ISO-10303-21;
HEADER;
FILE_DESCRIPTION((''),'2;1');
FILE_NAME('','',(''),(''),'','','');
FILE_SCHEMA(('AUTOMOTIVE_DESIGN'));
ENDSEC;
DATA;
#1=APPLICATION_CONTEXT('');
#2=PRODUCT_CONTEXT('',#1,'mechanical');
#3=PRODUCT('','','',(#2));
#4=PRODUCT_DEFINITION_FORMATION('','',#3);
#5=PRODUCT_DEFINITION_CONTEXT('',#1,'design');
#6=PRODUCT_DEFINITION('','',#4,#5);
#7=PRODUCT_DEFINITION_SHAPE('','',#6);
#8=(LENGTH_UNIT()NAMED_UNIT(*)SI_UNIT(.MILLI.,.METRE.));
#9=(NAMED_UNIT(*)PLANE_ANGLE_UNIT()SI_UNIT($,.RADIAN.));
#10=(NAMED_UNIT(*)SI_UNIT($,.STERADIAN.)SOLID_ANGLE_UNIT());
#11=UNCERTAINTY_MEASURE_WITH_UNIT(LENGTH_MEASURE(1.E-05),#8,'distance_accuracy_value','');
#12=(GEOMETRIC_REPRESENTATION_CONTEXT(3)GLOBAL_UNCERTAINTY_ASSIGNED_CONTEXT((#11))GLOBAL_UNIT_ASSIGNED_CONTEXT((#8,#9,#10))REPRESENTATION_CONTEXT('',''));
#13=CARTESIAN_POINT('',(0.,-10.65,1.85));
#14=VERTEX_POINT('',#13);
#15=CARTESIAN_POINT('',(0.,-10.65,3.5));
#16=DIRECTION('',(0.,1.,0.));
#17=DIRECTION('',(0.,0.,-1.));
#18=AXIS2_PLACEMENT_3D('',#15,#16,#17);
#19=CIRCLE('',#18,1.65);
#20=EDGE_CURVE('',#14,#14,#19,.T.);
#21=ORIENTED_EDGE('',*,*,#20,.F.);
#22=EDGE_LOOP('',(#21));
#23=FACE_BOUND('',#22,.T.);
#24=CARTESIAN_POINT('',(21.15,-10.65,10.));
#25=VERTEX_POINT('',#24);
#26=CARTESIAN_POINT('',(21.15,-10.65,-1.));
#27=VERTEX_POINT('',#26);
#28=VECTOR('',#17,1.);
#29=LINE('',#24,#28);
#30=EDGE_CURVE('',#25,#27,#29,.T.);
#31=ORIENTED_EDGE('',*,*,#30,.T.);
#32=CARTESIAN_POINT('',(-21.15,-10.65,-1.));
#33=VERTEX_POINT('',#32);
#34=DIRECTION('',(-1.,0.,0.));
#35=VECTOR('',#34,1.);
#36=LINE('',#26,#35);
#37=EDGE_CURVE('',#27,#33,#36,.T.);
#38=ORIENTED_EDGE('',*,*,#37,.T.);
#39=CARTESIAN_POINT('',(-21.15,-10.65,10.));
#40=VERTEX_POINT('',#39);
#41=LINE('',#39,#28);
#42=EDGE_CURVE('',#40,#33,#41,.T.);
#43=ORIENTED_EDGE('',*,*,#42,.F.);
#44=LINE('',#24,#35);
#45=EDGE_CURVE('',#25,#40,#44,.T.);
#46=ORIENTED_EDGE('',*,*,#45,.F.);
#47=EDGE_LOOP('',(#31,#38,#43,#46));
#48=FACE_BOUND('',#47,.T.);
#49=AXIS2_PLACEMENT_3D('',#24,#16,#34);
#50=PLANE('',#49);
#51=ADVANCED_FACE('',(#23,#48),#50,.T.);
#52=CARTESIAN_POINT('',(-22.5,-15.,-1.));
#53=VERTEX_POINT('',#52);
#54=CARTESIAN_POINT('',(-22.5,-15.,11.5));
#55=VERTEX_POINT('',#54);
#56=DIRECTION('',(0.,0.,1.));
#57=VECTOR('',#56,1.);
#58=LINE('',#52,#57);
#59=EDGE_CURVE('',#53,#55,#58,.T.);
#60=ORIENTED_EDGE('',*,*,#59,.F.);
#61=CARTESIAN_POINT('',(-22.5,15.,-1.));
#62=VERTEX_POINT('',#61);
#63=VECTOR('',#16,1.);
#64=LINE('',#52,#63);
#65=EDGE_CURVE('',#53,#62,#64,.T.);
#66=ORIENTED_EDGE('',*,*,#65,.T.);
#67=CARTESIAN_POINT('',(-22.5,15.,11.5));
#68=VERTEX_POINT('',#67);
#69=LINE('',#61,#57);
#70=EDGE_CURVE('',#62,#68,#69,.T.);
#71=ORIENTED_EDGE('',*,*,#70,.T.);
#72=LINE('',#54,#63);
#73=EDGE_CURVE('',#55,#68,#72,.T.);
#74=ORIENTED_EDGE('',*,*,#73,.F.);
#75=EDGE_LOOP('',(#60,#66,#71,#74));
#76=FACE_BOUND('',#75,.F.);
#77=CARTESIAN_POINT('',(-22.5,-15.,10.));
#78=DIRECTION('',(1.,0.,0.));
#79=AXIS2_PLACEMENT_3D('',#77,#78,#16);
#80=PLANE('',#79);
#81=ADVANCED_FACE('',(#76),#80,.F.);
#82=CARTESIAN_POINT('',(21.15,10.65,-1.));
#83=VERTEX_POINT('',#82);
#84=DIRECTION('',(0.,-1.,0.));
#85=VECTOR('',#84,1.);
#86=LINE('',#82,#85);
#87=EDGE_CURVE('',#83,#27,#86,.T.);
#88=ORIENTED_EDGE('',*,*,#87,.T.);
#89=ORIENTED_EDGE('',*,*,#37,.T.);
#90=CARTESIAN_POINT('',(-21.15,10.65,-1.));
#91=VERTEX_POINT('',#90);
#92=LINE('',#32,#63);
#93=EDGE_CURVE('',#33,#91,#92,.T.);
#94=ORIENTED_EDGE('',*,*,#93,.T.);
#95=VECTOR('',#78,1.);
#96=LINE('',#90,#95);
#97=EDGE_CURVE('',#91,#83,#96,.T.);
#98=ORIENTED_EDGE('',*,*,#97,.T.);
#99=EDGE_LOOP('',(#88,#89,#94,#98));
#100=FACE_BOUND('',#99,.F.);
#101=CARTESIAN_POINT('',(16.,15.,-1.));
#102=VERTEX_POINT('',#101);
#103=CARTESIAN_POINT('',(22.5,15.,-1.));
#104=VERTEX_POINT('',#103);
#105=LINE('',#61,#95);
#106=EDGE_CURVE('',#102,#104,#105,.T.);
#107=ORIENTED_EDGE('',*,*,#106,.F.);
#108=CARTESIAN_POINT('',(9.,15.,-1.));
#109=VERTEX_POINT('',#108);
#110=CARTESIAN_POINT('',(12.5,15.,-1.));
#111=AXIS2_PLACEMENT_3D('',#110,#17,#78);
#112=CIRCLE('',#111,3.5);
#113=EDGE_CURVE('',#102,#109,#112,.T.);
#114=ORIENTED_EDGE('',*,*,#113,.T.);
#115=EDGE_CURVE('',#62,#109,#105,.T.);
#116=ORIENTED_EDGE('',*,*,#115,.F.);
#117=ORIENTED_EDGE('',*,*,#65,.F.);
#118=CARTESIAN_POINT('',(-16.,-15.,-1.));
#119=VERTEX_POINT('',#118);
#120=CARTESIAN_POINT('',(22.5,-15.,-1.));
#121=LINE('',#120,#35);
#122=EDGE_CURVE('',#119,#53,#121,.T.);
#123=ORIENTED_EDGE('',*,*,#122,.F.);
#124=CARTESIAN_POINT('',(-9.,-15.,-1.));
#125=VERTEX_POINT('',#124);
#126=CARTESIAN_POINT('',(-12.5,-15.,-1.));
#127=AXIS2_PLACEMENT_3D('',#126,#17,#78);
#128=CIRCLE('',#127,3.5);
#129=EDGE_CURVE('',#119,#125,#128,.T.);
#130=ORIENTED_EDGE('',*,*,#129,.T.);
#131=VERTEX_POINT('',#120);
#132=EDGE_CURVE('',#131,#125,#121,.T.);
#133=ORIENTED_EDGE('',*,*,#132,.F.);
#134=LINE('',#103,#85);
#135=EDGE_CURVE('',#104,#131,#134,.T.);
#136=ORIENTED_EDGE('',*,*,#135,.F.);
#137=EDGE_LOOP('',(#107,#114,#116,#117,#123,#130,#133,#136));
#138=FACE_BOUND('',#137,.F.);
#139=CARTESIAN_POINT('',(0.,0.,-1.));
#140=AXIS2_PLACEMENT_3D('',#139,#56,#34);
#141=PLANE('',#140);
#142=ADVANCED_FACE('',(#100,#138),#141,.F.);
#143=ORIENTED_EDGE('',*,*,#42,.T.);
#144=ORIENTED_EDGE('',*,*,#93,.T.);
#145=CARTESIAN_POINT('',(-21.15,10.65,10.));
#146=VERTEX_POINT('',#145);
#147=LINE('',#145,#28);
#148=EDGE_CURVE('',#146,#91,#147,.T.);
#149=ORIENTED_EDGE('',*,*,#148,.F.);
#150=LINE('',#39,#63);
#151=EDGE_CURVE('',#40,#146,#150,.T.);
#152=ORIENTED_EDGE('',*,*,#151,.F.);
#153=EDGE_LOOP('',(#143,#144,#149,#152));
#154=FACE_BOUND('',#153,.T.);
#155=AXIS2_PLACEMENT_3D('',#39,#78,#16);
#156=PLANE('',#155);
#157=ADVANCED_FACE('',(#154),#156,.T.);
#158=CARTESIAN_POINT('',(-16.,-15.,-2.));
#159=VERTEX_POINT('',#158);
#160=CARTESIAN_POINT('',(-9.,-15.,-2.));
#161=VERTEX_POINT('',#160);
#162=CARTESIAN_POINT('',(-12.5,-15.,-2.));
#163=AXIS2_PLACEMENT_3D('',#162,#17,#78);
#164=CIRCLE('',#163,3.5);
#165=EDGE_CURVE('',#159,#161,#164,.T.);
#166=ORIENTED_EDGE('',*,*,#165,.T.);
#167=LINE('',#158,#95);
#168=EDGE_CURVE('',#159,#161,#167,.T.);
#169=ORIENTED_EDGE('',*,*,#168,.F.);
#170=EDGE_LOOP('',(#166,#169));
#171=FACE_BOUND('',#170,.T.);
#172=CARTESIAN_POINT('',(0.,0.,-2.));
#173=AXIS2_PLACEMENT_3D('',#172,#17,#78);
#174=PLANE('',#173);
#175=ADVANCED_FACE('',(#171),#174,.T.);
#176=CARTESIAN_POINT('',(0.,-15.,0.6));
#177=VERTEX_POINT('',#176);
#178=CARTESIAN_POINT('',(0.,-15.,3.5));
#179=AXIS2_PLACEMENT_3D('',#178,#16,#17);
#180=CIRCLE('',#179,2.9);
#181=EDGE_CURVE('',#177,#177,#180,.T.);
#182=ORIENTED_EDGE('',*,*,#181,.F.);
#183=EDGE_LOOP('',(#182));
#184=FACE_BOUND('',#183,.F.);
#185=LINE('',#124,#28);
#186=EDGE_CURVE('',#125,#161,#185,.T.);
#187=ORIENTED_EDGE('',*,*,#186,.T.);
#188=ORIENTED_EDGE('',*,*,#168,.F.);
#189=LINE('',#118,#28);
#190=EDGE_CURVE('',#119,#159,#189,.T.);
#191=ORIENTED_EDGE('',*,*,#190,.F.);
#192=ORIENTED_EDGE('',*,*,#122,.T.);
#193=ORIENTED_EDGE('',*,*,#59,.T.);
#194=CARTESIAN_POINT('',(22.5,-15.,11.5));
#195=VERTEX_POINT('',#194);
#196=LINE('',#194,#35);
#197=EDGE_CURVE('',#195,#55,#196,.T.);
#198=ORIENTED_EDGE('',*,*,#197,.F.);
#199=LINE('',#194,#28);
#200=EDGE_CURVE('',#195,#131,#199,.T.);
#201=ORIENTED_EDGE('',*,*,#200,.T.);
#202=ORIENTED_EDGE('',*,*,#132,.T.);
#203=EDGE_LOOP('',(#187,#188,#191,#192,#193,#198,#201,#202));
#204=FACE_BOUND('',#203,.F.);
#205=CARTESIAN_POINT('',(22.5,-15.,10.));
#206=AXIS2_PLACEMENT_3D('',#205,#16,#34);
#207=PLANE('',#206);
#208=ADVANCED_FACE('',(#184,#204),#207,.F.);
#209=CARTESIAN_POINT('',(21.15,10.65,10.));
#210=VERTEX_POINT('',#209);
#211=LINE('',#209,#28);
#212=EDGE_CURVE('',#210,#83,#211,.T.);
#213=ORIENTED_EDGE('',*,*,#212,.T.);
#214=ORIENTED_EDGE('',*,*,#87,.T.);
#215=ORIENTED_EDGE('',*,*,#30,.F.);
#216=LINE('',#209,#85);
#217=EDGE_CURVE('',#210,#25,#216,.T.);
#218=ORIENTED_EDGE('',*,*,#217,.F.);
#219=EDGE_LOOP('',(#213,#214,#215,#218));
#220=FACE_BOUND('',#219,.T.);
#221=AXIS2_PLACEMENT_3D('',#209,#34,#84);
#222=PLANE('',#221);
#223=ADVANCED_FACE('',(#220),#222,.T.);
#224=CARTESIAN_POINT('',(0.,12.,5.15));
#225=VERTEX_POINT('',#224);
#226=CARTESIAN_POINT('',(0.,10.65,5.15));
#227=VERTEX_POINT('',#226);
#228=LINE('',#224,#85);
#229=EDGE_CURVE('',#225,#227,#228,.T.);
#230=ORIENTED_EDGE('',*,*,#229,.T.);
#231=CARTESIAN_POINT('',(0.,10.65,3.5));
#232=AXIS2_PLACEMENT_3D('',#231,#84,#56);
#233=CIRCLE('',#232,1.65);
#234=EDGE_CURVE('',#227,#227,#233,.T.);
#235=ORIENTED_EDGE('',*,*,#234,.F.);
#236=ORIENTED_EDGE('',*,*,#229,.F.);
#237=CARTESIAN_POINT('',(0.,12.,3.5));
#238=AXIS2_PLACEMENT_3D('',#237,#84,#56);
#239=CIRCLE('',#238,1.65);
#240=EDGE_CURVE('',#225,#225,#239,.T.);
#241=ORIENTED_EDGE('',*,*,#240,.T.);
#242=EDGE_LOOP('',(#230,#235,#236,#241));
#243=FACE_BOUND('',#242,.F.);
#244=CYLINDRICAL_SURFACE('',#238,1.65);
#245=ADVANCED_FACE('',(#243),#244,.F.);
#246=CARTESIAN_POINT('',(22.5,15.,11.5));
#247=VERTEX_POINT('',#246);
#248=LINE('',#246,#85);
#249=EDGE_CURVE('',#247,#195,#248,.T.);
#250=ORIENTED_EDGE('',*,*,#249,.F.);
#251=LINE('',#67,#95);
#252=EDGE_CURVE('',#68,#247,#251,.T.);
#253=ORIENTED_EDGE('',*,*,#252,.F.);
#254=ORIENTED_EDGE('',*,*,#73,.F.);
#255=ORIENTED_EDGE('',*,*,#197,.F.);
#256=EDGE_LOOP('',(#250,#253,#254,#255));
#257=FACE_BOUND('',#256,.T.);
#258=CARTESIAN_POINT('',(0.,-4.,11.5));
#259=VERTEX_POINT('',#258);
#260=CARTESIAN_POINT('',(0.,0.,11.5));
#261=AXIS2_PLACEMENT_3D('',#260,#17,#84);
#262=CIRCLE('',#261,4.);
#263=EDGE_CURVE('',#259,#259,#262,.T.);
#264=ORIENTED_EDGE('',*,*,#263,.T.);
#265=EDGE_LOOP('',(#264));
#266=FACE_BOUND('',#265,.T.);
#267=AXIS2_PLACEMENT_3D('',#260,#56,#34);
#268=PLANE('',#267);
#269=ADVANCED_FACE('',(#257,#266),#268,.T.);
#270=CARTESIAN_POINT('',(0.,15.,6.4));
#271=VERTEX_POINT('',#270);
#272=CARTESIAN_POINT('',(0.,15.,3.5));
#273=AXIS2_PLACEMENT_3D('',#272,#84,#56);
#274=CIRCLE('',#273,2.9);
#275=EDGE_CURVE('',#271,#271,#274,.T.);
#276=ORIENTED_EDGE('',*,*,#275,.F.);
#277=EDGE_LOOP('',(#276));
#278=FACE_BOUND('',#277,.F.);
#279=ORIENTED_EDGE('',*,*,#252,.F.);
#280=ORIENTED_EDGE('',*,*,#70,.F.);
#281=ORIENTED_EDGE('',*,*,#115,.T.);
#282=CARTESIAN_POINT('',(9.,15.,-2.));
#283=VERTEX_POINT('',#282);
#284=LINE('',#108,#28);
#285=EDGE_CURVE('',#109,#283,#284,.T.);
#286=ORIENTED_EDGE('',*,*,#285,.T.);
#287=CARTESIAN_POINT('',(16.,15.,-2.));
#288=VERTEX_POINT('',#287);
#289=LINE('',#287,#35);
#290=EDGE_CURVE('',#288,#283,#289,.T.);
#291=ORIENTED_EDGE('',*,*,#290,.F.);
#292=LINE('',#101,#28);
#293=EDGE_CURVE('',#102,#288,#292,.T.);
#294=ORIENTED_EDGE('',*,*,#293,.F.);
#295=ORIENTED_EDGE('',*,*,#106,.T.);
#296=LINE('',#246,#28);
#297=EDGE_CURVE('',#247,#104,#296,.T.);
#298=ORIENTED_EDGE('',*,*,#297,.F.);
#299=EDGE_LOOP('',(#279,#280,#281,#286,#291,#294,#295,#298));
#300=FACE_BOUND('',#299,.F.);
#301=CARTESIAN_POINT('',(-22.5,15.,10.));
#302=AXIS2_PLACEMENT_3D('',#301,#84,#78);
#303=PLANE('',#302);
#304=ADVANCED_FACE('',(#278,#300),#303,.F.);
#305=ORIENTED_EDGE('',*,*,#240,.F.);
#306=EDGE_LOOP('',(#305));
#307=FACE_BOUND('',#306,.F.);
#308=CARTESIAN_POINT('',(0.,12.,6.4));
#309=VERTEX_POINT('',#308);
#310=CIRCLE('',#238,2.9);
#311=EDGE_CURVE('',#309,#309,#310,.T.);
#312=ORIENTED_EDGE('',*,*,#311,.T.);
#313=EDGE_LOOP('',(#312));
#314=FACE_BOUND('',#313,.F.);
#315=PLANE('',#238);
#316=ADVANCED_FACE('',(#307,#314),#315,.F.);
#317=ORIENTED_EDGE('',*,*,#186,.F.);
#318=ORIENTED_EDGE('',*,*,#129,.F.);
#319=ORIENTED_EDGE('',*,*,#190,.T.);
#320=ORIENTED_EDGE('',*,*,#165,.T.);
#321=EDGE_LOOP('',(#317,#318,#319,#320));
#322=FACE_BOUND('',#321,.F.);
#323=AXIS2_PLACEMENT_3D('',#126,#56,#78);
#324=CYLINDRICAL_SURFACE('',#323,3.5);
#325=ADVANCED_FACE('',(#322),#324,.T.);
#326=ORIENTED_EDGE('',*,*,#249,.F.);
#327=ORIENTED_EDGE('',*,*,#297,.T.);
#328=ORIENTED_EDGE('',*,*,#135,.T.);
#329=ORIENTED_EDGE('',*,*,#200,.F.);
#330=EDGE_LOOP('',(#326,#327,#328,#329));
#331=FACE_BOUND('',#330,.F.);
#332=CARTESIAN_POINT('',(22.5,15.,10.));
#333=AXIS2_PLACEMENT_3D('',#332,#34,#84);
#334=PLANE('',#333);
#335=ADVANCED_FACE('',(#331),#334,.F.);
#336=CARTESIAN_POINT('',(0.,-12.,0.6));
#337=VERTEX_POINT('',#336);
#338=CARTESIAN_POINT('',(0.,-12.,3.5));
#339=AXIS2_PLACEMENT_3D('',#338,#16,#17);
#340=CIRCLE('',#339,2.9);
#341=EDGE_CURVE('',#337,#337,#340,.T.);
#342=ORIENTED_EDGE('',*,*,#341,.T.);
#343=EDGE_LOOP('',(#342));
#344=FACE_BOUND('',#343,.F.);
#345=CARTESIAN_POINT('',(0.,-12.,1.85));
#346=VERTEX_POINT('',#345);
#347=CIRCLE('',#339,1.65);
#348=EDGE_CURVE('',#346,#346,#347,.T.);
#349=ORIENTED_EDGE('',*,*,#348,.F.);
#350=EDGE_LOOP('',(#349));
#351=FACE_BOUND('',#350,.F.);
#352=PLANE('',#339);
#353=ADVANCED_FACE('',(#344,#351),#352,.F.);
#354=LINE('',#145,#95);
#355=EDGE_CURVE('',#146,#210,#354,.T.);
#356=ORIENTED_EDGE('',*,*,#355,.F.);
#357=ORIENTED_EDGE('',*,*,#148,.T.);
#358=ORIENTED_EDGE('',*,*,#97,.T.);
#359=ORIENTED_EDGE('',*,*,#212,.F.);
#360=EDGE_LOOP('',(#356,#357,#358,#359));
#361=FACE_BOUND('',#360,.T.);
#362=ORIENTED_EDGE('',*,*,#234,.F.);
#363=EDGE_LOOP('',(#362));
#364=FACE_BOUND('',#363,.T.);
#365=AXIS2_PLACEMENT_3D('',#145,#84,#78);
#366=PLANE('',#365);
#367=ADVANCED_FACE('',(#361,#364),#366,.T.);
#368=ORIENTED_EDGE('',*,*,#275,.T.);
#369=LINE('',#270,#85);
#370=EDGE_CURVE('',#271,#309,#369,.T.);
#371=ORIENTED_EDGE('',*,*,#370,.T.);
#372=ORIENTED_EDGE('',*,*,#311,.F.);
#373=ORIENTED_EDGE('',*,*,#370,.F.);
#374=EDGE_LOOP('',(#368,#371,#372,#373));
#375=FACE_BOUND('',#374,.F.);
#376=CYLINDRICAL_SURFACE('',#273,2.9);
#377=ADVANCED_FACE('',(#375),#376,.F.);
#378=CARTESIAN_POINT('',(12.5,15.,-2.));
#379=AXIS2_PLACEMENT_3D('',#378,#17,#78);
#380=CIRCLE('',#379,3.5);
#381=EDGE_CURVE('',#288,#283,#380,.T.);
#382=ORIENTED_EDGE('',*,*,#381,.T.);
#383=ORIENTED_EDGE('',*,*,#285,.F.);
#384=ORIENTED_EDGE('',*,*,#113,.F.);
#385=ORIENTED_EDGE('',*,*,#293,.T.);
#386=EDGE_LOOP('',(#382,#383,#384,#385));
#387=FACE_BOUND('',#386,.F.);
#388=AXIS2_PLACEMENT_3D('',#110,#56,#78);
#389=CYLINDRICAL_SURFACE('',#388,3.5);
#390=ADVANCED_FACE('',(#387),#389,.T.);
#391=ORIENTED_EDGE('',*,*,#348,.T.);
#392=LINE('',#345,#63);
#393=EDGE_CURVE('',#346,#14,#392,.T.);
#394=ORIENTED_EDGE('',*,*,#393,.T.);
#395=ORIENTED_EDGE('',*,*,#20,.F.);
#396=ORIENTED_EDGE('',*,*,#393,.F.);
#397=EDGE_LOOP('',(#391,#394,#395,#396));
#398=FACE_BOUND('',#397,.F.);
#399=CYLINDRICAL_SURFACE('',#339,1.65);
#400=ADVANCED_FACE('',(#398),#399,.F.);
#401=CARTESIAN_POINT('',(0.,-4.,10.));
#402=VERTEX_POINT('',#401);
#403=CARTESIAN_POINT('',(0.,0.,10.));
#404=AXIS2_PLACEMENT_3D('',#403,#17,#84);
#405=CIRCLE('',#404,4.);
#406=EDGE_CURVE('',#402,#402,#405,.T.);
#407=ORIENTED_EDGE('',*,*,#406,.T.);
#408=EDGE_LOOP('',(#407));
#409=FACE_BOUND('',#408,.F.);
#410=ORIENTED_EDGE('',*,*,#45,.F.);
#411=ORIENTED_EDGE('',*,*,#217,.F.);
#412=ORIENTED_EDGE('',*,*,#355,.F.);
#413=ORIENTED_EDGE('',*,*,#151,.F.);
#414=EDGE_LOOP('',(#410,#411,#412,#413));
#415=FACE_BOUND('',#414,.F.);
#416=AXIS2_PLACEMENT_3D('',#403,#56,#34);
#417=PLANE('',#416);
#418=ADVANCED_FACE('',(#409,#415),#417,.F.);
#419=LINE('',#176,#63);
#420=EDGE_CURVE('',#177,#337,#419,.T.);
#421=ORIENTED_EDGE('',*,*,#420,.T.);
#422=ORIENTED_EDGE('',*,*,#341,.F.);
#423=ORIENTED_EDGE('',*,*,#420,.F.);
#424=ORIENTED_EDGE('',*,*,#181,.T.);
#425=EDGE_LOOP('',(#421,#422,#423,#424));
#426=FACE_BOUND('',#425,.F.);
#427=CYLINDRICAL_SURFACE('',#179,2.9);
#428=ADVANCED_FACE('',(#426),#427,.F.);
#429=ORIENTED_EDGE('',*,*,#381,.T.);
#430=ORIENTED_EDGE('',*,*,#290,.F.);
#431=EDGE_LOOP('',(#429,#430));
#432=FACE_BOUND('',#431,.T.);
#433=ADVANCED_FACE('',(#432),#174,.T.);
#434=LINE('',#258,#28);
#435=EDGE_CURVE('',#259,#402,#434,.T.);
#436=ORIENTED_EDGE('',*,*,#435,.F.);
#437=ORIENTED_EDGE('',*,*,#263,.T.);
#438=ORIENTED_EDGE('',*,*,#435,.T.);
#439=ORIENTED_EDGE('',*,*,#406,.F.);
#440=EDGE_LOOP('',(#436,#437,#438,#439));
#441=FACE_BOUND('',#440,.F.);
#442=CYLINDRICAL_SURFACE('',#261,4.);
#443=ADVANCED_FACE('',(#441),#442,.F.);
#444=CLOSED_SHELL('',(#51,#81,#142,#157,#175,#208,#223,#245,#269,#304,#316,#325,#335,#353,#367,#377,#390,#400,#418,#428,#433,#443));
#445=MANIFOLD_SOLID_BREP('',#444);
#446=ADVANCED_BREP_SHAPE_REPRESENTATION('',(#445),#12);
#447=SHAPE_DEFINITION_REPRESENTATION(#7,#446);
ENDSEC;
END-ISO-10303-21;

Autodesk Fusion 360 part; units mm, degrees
sketch "Esquisse7" plane through (0, 0, 10) normal (0, 0, 1) x (-1, 0, 0)
  circle A0 centre (-12, 0) radius 7.6
  circle A1 centre (12, 0) radius 7.6
  line L0 (-19.9, -8.9) -> (19.9, -8.9)
  line L1 (19.9, -8.9) -> (19.9, 8.9)
  line L2 (19.9, 8.9) -> (-19.9, 8.9)
  line L3 (-19.9, 8.9) -> (-19.9, -8.9)
  line L4 (0, 0) -> (-2.53, 5.0152)
sketch "Esquisse3" plane through (0, 0, 10) normal (0, 0, 1) x (-1, 0, 0)
  line L0 (21.15, -10.65) -> (-21.15, -10.65)
  line L1 (-21.15, -10.65) -> (-21.15, 10.65)
  line L2 (-21.15, 10.65) -> (21.15, 10.65)
  line L3 (21.15, 10.65) -> (21.15, -10.65)
  line L4 (21.15, -10.65) -> (-21.15, 10.65) construction
  line L5 (-21.15, -10.65) -> (21.15, 10.65) construction
  line L6 (22.5, -15) -> (-22.5, -15)
  line L7 (-22.5, -15) -> (-22.5, 15)
  line L8 (-22.5, 15) -> (22.5, 15)
  line L9 (22.5, 15) -> (22.5, -15)
  line L10 (22.5, -15) -> (-22.5, 15) construction
  line L11 (-22.5, -15) -> (22.5, 15) construction
  dimension "d76" = 42.3
  dimension "d77" = 21.3
  dimension "d78" = 45
  dimension "d79" = 30
extrude "Extrusion1" add sketch "Esquisse3" against normal blind 11
extrude "Extrusion2" add sketch "Esquisse3" along normal blind 1.5 contours L0 L1 L2 L3 | L6 L7 L8 L9
sketch "Esquisse4" plane through (0, -15, 0) normal (0, -1, 0) x (1, 0, 0)
  line L0 (-22.5, 11.5) -> (-22.5, -1)
  line L1 (-22.5, -1) -> (22.5, -1)
  line L2 (22.5, -1) -> (22.5, 11.5)
  line L3 (22.5, 11.5) -> (-22.5, 11.5)
  line L4 (0, 0) -> (0, 3.5)
  dimension "d84" = 3.5
hole "Perçage1" at (0, -15, 3.5) direction (0, 1, 0) diameter 3.3 depth 8 tip angle 180 counterbore diameter 5.8 counterbore depth 3
sketch "Esquisse5" plane through (0, 15, 0) normal (0, 1, 0) x (-1, 0, 0)
  line L0 (-22.5, 11.5) -> (-22.5, -1)
  line L1 (-22.5, -1) -> (22.5, -1)
  line L2 (22.5, -1) -> (22.5, 11.5)
  line L3 (22.5, 11.5) -> (-22.5, 11.5)
  line L4 (0, 0) -> (0, 3.5)
  dimension "d100" = 3.5
hole "Perçage2" at (0, 15, 3.5) direction (0, -1, 0) diameter 3.3 depth 8 tip angle 180 counterbore diameter 5.8 counterbore depth 3
hole "Perçage3" at (0, 0, 11.5) direction (0, 0, -1) diameter 8 depth 1.5 tip angle 180
sketch "Esquisse6" plane through (0, 0, -1) normal (0, 0, -1) x (1, 0, 0)
  line L0 (-21.15, 10.65) -> (21.15, 10.65)
  line L1 (21.15, 10.65) -> (21.15, -10.65)
  line L2 (21.15, -10.65) -> (-21.15, -10.65)
  line L3 (-21.15, -10.65) -> (-21.15, 10.65)
  line L4 (22.5, 15) -> (-22.5, 15)
  line L5 (-22.5, 15) -> (-22.5, -15)
  line L6 (-22.5, -15) -> (22.5, -15)
  line L7 (22.5, -15) -> (22.5, 15)
  line L8 (-22.5, 15) -> (-12.5, 15)
  circle A0 centre (-12.5, 15) radius 3.5
  line L9 (22.5, -15) -> (12.5, -15)
  circle A1 centre (12.5, -15) radius 3.5
  dimension "d119" = 7
  dimension "d120" = 10
  dimension "d121" = 7
extrude "Extrusion3" add sketch "Esquisse6" along normal blind 1 contours L4 L8 A0 | L6 L9 A1 picked at (-14.8203, 14.8261) picked at (10.334, -14.1499)
